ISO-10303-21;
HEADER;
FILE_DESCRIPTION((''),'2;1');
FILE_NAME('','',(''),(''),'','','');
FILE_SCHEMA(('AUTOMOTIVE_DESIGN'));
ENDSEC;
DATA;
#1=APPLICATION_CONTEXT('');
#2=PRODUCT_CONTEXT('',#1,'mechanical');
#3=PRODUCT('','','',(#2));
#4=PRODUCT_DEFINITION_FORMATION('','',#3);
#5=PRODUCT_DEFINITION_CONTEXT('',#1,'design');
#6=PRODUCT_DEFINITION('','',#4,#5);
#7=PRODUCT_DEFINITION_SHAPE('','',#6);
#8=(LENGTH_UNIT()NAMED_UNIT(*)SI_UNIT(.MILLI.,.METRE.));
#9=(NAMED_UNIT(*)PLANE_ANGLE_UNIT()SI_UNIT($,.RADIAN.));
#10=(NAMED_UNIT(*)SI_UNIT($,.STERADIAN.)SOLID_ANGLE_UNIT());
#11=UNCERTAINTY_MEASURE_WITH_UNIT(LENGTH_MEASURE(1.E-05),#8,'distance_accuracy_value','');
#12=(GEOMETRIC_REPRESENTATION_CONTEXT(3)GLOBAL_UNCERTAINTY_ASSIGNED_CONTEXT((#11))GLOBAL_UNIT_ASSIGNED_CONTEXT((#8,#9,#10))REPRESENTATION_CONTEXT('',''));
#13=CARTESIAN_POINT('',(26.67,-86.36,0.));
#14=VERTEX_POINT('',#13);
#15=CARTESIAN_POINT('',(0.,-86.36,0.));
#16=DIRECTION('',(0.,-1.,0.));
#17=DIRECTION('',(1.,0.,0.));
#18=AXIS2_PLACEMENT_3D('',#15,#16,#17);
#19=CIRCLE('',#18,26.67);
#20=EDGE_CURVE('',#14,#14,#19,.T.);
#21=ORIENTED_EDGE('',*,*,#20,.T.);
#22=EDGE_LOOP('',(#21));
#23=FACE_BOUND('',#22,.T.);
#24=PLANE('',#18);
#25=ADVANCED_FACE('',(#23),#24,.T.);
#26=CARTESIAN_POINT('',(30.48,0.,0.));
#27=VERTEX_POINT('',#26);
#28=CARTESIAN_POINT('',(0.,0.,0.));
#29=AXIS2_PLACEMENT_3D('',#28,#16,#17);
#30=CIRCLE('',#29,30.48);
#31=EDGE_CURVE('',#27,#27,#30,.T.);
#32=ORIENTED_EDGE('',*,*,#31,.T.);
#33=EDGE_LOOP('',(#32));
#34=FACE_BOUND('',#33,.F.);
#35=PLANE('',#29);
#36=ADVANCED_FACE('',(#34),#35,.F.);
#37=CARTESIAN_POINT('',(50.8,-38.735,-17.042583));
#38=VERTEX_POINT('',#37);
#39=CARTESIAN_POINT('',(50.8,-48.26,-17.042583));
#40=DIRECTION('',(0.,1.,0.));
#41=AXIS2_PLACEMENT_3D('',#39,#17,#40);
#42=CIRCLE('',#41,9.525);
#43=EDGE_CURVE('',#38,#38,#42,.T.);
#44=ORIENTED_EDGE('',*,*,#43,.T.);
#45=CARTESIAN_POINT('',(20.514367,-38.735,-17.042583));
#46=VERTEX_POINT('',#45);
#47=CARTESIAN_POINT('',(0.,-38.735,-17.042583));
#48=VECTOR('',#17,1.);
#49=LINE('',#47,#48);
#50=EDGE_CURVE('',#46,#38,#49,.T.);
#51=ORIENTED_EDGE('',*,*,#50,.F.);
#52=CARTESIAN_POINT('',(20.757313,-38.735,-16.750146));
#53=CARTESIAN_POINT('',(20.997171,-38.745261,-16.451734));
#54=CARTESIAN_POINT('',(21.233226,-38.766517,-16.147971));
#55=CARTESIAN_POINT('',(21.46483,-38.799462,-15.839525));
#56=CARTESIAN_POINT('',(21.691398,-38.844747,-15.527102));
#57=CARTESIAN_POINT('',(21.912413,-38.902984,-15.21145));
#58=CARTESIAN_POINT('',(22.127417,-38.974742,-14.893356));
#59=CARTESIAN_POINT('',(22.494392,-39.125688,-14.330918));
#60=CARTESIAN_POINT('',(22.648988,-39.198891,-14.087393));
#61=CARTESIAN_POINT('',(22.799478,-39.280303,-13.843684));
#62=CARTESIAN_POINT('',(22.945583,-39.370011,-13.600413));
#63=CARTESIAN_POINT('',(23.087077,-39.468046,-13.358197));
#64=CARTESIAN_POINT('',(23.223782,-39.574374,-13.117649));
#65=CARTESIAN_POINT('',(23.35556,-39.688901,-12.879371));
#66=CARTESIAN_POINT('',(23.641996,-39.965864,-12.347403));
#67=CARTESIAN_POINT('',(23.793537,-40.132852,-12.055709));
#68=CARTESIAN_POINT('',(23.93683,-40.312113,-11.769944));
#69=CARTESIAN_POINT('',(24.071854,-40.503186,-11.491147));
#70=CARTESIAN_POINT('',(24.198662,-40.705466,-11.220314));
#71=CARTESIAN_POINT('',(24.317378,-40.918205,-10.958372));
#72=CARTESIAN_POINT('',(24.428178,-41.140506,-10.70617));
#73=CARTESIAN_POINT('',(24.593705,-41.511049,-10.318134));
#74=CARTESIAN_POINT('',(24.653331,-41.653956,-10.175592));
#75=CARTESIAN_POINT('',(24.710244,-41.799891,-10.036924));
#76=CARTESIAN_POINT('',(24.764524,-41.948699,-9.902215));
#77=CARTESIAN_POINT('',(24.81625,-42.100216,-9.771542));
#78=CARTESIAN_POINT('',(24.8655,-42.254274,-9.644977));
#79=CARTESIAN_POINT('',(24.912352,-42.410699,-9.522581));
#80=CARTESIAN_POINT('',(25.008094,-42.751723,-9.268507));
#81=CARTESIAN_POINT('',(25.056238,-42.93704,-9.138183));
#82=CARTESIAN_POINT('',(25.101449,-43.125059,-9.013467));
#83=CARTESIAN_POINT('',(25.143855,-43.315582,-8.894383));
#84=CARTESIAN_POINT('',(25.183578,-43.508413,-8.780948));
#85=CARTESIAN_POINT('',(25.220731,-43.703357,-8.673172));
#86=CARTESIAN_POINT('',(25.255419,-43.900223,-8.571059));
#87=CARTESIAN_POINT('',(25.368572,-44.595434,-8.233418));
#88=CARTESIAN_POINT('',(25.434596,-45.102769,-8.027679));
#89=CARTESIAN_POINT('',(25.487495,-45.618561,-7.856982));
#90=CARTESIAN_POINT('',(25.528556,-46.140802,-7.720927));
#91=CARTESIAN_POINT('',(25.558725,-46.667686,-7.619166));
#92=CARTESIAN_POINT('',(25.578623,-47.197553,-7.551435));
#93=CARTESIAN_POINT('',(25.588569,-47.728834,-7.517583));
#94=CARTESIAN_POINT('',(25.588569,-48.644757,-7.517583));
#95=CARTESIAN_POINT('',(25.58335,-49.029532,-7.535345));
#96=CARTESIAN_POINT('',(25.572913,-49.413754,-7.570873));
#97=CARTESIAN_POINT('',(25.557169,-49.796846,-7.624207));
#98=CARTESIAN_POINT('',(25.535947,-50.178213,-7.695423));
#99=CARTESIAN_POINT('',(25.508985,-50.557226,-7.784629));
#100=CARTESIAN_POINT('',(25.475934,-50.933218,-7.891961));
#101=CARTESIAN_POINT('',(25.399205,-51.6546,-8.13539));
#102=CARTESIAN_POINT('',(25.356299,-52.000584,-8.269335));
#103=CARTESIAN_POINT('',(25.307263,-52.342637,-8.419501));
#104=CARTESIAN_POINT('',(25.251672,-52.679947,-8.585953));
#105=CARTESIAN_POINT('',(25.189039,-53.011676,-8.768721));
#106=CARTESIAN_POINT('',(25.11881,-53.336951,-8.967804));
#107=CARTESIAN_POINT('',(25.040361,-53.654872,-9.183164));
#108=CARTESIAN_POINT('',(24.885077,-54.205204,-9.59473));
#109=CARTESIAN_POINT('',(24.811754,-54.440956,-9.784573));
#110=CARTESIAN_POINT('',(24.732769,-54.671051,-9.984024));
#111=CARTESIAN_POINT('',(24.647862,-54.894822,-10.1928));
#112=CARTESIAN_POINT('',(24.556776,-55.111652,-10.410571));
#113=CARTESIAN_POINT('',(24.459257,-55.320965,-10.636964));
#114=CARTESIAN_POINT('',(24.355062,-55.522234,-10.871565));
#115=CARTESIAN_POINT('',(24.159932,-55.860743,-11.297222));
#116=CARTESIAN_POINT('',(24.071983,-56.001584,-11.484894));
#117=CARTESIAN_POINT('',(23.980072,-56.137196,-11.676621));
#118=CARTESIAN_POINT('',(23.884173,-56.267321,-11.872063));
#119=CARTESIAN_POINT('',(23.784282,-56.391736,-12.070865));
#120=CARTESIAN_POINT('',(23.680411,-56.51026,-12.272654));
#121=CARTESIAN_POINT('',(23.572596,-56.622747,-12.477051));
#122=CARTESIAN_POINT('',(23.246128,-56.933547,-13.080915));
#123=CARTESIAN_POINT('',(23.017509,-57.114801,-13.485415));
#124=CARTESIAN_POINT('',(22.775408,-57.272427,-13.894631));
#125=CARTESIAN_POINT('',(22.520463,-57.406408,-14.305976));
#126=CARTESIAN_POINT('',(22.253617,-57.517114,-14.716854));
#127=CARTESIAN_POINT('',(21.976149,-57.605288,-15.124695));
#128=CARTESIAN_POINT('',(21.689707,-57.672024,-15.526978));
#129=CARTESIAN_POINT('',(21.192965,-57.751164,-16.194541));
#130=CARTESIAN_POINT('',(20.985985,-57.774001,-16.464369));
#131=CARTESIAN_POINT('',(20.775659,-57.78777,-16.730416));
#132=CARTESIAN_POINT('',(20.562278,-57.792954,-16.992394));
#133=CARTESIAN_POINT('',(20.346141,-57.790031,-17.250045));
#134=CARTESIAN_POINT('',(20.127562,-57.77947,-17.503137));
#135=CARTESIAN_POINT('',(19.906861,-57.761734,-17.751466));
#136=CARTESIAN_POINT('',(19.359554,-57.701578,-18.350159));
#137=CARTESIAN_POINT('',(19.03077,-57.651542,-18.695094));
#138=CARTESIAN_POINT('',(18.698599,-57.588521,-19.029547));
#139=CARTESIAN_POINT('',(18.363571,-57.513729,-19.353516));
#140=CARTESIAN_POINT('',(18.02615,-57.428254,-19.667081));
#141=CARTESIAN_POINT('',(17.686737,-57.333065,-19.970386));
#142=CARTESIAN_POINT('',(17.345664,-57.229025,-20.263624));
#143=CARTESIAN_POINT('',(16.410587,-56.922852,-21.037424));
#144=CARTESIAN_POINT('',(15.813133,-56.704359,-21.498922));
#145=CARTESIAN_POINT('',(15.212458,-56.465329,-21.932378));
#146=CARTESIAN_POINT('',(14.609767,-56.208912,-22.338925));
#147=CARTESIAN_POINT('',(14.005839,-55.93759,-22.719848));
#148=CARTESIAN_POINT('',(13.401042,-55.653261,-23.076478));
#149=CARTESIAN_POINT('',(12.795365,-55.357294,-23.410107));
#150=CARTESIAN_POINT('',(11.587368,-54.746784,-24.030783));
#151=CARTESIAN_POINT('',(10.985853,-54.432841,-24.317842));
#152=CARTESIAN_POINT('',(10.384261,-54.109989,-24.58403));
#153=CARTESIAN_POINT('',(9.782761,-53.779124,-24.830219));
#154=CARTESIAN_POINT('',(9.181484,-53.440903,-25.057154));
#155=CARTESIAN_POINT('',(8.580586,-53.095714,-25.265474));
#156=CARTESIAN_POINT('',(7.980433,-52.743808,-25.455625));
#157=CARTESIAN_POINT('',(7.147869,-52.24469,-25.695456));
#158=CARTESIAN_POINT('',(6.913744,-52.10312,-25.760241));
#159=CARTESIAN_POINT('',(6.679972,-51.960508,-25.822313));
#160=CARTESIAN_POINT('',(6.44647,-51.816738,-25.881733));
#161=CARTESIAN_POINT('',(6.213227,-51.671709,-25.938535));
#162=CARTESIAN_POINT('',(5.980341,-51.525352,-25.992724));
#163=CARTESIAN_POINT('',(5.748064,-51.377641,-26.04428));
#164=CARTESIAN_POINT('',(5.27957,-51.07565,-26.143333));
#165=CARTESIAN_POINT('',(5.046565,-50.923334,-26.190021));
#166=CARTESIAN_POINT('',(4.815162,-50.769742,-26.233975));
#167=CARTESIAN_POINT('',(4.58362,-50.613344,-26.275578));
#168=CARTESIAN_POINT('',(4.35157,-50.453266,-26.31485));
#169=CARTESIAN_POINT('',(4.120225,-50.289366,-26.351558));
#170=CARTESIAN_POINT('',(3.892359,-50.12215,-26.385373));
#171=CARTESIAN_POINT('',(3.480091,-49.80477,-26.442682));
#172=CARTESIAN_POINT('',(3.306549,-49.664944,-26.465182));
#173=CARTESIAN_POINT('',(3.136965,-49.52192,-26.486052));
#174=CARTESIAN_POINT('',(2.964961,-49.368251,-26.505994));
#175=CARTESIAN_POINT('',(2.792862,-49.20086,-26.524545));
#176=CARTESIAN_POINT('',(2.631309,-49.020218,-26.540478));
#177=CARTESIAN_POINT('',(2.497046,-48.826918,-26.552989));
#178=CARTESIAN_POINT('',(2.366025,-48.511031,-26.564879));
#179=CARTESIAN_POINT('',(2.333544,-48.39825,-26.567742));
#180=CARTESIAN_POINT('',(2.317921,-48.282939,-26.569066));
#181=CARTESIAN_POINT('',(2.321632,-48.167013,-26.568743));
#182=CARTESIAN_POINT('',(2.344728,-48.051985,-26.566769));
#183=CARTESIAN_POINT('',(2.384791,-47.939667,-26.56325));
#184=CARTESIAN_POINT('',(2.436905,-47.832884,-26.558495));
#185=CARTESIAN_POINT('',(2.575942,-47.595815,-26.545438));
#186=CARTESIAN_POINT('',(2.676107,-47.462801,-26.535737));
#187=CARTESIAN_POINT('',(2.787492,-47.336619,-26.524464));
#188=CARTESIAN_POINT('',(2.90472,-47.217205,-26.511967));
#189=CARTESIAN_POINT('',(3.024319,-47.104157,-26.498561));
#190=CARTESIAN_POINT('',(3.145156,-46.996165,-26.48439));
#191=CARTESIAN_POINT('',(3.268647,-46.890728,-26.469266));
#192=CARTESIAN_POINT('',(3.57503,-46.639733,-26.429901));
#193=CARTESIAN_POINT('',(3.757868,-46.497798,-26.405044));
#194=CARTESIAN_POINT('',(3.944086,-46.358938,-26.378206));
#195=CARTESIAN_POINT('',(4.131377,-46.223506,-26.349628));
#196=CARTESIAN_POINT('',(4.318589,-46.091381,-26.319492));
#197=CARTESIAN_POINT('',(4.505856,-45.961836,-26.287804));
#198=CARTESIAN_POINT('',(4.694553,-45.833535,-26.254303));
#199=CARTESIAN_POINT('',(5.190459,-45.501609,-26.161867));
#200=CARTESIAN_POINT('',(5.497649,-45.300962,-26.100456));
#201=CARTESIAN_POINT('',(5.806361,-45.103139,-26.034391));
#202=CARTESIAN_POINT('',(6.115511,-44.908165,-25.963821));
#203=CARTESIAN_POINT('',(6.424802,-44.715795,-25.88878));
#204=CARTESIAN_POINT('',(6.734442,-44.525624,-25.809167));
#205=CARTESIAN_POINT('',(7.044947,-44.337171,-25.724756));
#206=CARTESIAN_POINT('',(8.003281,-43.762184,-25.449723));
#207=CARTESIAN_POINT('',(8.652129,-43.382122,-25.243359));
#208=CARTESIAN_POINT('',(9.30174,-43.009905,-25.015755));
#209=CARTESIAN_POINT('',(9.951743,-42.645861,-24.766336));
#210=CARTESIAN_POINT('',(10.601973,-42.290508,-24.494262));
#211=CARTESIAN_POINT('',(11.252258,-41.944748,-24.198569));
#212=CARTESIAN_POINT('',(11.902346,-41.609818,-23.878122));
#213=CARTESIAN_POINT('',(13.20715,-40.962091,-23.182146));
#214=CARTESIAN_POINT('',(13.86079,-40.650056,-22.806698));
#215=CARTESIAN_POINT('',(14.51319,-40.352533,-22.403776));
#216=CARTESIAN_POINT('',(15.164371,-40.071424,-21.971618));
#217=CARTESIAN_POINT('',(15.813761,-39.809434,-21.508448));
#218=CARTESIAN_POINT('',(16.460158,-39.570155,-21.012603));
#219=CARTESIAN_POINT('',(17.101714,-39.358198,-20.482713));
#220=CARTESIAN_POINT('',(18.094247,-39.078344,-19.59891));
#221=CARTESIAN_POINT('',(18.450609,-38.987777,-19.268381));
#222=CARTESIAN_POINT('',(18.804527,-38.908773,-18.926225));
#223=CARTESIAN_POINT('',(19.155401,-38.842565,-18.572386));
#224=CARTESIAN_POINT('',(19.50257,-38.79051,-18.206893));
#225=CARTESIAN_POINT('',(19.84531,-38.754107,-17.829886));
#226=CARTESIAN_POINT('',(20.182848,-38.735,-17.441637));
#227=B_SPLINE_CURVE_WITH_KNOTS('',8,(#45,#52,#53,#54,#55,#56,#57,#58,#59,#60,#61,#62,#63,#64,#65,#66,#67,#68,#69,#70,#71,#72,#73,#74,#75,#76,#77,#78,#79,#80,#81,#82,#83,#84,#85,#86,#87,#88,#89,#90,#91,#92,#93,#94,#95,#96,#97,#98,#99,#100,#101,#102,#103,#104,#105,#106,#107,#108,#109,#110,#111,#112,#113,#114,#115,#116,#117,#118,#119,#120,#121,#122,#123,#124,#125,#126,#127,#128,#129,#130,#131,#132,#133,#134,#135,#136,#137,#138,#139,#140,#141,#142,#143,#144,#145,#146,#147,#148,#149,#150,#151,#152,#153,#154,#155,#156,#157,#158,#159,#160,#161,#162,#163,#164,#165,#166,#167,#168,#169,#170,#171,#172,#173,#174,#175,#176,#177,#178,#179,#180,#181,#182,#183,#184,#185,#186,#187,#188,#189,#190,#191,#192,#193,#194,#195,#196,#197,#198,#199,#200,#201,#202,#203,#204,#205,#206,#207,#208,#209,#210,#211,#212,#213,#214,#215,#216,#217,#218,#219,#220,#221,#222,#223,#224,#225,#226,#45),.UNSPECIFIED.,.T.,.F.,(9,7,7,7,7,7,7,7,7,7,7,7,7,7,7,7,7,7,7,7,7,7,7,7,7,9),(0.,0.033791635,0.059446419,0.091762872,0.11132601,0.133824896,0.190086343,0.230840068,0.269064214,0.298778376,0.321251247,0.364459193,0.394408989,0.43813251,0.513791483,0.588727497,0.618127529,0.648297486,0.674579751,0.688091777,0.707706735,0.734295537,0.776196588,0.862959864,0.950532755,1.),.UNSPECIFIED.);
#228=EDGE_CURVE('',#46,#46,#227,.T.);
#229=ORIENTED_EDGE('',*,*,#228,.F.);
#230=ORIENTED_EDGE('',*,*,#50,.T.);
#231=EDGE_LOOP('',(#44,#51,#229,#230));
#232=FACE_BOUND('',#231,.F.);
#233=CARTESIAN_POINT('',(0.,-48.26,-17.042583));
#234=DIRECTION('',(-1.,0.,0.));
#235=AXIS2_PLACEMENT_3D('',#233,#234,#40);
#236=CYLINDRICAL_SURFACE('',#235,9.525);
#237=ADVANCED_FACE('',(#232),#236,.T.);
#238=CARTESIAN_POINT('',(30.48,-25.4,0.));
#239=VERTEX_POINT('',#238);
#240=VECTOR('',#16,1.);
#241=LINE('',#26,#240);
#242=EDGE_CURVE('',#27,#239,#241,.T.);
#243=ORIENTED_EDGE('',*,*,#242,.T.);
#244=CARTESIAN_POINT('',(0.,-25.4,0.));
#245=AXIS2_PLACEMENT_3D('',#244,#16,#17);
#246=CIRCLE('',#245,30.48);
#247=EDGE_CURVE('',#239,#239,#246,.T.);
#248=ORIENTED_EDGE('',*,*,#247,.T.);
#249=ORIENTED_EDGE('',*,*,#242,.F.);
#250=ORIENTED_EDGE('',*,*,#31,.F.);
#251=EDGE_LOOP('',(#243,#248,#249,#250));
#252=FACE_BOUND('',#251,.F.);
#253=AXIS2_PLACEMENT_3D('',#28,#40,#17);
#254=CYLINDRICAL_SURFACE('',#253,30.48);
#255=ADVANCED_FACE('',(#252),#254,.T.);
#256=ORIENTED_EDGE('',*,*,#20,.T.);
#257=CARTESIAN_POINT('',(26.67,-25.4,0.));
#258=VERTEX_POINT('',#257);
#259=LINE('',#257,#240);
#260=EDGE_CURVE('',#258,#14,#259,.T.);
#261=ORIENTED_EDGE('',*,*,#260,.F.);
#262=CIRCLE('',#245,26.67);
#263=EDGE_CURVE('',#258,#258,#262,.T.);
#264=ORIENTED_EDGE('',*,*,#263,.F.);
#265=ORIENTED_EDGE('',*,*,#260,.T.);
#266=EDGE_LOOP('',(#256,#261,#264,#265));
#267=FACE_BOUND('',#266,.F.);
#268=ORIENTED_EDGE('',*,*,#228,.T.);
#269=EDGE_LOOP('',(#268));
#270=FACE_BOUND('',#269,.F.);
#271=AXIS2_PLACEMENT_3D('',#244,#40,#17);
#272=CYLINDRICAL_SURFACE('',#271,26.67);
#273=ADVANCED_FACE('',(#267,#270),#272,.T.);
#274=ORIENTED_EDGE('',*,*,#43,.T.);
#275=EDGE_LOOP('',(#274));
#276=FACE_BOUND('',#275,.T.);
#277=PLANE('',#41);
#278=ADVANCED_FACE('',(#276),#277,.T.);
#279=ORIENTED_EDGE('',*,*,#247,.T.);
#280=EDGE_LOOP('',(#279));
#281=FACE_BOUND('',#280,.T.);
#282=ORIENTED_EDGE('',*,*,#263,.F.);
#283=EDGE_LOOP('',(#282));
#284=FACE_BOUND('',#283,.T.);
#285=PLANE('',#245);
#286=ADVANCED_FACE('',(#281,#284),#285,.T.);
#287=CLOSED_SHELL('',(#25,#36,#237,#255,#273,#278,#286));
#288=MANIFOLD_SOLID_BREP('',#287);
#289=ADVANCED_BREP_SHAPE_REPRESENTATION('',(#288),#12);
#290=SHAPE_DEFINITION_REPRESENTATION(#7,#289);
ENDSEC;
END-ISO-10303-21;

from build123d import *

# Parameters (mm, degrees)
F0_R     = 30.48
F1_DEPTH = 25.4
F2_R     = 26.67
F3_DEPTH = 60.96
F4_R     = 9.525
F5_DEPTH = 50.8


with BuildPart() as f1:
    # F0 (on Front) → F1 (new body)
    with BuildSketch(Plane.XZ):
        Circle(F0_R)
    extrude(amount=F1_DEPTH)

    # F2 (on face) → F3 (join)
    with BuildSketch(Plane.XZ.offset(25.4)):
        Circle(F2_R)
    extrude(amount=F3_DEPTH)

    # F4 (on Right) → F5 (join)
    with BuildSketch(Plane.YZ):
        with Locations((-48.26, -17.042583)):
            Circle(F4_R)
    extrude(amount=F5_DEPTH)


solid = f1.part
